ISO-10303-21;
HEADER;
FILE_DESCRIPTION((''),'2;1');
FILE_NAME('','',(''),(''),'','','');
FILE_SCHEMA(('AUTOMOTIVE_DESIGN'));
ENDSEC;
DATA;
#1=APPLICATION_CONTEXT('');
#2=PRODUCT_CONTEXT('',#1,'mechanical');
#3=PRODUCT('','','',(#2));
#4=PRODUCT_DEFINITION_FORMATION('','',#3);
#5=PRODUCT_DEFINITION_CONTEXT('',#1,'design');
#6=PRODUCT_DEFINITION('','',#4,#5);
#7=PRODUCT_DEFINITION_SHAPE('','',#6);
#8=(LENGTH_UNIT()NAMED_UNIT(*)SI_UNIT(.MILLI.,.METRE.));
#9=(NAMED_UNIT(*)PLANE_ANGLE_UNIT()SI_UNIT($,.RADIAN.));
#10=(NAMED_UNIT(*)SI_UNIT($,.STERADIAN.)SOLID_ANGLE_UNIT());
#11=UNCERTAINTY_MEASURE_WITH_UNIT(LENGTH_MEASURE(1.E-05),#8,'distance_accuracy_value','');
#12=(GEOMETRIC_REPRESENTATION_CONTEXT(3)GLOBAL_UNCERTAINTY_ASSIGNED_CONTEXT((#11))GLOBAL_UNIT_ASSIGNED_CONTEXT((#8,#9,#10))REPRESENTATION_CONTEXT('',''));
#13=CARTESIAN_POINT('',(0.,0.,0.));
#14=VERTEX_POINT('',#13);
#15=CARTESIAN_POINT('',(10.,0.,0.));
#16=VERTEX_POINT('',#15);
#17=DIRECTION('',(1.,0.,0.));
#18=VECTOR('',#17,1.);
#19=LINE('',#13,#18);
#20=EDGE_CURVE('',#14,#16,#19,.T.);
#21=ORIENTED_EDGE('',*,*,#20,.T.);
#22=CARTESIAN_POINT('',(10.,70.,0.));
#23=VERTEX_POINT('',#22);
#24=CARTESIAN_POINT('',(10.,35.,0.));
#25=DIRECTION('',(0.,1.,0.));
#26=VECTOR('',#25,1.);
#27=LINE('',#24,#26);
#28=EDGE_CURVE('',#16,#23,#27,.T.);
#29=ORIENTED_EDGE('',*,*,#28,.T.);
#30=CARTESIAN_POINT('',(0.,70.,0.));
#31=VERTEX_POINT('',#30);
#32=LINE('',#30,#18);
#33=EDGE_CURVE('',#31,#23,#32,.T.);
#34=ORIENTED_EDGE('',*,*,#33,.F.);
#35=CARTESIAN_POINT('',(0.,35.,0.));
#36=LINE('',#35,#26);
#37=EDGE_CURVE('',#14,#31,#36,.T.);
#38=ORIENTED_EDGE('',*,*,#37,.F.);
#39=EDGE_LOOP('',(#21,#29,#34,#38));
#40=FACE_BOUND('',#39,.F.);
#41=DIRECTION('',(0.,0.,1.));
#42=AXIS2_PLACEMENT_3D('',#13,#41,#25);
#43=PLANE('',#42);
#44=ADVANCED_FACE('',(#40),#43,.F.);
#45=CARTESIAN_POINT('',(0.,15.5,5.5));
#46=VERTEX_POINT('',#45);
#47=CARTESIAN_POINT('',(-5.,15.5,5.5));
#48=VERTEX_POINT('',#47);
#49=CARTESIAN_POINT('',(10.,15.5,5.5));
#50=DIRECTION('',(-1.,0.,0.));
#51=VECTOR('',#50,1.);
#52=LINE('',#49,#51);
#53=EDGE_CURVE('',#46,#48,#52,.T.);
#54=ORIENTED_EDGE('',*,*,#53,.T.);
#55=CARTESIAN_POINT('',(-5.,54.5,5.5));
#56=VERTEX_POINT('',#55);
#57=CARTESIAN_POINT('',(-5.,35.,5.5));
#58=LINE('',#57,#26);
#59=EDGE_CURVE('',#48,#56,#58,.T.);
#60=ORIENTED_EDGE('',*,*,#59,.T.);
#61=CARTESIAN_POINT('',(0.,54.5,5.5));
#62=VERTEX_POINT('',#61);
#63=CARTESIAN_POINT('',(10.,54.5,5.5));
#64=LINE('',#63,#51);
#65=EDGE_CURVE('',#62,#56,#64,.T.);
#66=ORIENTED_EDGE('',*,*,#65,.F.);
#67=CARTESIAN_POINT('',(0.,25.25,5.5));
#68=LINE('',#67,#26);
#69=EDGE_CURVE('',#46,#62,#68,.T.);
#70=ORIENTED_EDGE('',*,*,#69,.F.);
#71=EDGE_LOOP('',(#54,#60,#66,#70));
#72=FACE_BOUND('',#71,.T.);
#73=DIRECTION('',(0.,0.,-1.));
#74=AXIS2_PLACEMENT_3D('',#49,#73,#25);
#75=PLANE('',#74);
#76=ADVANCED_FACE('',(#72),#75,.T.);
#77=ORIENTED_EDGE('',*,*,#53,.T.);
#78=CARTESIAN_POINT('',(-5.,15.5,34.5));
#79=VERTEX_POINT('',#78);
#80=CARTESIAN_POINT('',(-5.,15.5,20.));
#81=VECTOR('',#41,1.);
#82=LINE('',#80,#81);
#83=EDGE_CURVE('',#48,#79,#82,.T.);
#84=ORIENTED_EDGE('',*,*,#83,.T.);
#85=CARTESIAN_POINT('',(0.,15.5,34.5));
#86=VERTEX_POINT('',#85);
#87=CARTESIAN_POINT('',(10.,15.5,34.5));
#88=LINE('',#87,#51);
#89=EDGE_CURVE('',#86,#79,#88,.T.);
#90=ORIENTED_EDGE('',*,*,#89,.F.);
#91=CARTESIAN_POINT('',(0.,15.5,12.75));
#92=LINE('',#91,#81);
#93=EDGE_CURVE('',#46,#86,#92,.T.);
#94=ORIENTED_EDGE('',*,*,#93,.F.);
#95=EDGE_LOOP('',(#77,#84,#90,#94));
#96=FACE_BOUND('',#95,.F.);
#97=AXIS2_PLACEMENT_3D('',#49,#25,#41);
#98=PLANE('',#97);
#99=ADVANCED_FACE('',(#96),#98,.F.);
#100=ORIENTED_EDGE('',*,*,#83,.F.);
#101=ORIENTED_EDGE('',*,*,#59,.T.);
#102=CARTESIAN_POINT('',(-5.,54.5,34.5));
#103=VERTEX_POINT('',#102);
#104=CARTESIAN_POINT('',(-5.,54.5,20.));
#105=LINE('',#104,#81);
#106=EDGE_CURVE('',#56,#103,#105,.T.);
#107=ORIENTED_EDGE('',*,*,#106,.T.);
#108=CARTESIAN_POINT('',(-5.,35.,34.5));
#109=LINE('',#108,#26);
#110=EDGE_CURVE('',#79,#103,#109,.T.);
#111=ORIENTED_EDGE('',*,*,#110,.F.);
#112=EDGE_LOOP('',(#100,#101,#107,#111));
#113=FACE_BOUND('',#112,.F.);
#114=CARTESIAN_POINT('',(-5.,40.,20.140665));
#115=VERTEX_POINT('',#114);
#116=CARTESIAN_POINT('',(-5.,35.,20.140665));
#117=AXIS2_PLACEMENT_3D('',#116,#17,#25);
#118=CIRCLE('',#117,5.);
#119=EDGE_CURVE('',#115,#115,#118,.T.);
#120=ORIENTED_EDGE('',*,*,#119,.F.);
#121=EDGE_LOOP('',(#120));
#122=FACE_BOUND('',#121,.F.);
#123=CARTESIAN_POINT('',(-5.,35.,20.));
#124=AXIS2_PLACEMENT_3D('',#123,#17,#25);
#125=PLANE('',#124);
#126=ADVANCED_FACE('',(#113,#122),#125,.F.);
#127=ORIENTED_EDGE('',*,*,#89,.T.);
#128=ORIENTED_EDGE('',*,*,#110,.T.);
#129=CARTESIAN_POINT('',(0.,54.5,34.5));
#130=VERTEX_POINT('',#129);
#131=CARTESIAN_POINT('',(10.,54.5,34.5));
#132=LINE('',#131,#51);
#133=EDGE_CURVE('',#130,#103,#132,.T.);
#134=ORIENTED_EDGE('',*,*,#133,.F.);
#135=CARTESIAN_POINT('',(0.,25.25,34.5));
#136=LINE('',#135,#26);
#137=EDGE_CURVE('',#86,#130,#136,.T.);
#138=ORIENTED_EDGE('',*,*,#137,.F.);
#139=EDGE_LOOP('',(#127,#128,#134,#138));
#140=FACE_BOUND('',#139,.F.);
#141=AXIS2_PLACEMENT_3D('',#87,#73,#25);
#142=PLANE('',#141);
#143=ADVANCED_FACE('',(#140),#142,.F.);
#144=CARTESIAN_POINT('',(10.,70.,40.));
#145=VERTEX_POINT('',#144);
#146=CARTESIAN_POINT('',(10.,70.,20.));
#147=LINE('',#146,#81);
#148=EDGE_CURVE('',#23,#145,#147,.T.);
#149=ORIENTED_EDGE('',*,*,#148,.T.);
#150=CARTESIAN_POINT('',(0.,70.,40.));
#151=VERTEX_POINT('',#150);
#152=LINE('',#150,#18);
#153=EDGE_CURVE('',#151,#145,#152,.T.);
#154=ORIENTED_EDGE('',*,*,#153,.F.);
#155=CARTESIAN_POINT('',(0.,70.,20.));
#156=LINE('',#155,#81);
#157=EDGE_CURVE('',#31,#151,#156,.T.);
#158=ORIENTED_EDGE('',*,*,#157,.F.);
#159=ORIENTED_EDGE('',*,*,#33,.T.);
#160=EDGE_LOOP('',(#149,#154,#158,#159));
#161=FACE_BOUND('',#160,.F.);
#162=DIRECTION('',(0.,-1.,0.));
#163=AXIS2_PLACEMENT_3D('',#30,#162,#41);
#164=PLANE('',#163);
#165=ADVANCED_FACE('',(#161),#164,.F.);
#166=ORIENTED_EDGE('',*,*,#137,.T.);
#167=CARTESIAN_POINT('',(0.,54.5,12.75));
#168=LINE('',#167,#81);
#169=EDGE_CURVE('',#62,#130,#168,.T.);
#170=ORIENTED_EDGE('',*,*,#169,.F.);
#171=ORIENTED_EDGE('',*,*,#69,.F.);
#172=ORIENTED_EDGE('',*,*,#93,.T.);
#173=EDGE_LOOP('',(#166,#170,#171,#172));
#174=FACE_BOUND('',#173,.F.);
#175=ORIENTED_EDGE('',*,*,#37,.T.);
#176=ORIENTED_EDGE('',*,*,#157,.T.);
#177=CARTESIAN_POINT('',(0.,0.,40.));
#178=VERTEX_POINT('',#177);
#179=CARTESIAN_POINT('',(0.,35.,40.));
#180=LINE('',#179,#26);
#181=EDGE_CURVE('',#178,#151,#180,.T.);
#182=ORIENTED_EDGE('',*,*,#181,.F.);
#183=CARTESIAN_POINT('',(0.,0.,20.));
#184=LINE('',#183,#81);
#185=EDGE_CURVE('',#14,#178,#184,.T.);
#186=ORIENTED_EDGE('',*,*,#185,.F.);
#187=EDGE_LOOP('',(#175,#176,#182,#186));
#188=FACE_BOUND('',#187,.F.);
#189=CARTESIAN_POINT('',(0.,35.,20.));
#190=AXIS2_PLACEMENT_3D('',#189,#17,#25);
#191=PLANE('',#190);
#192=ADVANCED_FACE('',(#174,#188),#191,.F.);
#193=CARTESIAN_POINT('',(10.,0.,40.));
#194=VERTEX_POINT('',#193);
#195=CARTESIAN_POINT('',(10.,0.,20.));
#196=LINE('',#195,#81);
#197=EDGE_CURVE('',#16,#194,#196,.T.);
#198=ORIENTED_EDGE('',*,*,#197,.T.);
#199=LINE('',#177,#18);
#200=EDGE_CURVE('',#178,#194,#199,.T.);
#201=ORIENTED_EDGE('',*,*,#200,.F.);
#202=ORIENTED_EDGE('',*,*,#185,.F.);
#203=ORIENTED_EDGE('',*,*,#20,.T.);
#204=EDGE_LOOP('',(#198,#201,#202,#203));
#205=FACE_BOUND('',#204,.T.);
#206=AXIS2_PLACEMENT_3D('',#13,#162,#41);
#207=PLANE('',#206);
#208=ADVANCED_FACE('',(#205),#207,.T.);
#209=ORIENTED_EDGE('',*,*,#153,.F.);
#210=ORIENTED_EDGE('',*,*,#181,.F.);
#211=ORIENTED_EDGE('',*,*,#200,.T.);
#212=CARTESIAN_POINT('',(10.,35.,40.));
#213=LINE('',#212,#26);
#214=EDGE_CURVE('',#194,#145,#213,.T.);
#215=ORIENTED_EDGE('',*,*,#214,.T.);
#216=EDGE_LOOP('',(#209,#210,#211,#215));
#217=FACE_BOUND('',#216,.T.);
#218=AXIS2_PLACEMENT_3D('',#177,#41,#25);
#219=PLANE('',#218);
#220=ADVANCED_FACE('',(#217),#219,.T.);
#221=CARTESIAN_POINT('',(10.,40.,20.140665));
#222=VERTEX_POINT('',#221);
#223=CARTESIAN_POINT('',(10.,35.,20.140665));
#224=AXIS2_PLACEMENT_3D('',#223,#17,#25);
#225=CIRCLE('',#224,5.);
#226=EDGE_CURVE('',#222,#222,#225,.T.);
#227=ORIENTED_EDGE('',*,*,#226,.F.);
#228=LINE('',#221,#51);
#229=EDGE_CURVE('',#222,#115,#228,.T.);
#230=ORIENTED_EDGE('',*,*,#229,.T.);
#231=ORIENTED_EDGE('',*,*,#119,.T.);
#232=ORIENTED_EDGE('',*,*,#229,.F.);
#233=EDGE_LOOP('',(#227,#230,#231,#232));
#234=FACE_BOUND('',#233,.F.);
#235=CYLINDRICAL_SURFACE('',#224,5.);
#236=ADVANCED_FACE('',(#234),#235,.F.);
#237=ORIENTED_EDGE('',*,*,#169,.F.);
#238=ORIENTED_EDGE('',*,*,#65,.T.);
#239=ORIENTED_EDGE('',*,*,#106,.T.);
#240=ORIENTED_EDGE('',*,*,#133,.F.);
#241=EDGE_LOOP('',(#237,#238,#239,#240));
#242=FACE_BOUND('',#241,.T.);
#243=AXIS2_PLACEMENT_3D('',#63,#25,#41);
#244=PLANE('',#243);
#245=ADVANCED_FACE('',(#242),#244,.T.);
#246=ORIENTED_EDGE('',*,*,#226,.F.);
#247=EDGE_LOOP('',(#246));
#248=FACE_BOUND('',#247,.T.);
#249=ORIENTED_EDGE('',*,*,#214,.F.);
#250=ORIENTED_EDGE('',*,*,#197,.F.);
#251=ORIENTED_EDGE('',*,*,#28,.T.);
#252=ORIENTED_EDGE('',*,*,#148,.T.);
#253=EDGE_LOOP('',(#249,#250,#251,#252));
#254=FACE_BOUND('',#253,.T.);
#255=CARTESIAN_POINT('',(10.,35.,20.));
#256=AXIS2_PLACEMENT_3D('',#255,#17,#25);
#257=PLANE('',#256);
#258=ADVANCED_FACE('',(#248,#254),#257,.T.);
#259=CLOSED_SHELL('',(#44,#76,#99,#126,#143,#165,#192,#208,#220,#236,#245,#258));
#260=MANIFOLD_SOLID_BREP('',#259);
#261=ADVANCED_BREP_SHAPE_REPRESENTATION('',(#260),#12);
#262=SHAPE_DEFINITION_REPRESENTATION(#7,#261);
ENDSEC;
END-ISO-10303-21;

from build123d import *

# Parameters (mm, degrees)
F0_W     = 70
F0_H     = 40
F1_DEPTH = 10
F2_W     = 39
F2_H     = 29
F3_DEPTH = 15
F4_R     = 5
F5_DEPTH = 25


with BuildPart() as f1:
    # F0 (on Right) → F1 (new body)
    with BuildSketch(Plane.YZ):
        with Locations((35, 20)):
            Rectangle(F0_W, F0_H)
    extrude(amount=F1_DEPTH)

    # F2 (on face) → F3 (join)
    with BuildSketch(Plane.YZ.offset(10)):
        with Locations((35, 20)):
            Rectangle(F2_W, F2_H)
    extrude(amount=-F3_DEPTH)

    # F4 (on face) → F5 (cut)
    with BuildSketch(Plane.YZ.offset(10)):
        with Locations((35, 20.140665)):
            Circle(F4_R)
    extrude(amount=-F5_DEPTH, mode=Mode.SUBTRACT)


solid = f1.part
